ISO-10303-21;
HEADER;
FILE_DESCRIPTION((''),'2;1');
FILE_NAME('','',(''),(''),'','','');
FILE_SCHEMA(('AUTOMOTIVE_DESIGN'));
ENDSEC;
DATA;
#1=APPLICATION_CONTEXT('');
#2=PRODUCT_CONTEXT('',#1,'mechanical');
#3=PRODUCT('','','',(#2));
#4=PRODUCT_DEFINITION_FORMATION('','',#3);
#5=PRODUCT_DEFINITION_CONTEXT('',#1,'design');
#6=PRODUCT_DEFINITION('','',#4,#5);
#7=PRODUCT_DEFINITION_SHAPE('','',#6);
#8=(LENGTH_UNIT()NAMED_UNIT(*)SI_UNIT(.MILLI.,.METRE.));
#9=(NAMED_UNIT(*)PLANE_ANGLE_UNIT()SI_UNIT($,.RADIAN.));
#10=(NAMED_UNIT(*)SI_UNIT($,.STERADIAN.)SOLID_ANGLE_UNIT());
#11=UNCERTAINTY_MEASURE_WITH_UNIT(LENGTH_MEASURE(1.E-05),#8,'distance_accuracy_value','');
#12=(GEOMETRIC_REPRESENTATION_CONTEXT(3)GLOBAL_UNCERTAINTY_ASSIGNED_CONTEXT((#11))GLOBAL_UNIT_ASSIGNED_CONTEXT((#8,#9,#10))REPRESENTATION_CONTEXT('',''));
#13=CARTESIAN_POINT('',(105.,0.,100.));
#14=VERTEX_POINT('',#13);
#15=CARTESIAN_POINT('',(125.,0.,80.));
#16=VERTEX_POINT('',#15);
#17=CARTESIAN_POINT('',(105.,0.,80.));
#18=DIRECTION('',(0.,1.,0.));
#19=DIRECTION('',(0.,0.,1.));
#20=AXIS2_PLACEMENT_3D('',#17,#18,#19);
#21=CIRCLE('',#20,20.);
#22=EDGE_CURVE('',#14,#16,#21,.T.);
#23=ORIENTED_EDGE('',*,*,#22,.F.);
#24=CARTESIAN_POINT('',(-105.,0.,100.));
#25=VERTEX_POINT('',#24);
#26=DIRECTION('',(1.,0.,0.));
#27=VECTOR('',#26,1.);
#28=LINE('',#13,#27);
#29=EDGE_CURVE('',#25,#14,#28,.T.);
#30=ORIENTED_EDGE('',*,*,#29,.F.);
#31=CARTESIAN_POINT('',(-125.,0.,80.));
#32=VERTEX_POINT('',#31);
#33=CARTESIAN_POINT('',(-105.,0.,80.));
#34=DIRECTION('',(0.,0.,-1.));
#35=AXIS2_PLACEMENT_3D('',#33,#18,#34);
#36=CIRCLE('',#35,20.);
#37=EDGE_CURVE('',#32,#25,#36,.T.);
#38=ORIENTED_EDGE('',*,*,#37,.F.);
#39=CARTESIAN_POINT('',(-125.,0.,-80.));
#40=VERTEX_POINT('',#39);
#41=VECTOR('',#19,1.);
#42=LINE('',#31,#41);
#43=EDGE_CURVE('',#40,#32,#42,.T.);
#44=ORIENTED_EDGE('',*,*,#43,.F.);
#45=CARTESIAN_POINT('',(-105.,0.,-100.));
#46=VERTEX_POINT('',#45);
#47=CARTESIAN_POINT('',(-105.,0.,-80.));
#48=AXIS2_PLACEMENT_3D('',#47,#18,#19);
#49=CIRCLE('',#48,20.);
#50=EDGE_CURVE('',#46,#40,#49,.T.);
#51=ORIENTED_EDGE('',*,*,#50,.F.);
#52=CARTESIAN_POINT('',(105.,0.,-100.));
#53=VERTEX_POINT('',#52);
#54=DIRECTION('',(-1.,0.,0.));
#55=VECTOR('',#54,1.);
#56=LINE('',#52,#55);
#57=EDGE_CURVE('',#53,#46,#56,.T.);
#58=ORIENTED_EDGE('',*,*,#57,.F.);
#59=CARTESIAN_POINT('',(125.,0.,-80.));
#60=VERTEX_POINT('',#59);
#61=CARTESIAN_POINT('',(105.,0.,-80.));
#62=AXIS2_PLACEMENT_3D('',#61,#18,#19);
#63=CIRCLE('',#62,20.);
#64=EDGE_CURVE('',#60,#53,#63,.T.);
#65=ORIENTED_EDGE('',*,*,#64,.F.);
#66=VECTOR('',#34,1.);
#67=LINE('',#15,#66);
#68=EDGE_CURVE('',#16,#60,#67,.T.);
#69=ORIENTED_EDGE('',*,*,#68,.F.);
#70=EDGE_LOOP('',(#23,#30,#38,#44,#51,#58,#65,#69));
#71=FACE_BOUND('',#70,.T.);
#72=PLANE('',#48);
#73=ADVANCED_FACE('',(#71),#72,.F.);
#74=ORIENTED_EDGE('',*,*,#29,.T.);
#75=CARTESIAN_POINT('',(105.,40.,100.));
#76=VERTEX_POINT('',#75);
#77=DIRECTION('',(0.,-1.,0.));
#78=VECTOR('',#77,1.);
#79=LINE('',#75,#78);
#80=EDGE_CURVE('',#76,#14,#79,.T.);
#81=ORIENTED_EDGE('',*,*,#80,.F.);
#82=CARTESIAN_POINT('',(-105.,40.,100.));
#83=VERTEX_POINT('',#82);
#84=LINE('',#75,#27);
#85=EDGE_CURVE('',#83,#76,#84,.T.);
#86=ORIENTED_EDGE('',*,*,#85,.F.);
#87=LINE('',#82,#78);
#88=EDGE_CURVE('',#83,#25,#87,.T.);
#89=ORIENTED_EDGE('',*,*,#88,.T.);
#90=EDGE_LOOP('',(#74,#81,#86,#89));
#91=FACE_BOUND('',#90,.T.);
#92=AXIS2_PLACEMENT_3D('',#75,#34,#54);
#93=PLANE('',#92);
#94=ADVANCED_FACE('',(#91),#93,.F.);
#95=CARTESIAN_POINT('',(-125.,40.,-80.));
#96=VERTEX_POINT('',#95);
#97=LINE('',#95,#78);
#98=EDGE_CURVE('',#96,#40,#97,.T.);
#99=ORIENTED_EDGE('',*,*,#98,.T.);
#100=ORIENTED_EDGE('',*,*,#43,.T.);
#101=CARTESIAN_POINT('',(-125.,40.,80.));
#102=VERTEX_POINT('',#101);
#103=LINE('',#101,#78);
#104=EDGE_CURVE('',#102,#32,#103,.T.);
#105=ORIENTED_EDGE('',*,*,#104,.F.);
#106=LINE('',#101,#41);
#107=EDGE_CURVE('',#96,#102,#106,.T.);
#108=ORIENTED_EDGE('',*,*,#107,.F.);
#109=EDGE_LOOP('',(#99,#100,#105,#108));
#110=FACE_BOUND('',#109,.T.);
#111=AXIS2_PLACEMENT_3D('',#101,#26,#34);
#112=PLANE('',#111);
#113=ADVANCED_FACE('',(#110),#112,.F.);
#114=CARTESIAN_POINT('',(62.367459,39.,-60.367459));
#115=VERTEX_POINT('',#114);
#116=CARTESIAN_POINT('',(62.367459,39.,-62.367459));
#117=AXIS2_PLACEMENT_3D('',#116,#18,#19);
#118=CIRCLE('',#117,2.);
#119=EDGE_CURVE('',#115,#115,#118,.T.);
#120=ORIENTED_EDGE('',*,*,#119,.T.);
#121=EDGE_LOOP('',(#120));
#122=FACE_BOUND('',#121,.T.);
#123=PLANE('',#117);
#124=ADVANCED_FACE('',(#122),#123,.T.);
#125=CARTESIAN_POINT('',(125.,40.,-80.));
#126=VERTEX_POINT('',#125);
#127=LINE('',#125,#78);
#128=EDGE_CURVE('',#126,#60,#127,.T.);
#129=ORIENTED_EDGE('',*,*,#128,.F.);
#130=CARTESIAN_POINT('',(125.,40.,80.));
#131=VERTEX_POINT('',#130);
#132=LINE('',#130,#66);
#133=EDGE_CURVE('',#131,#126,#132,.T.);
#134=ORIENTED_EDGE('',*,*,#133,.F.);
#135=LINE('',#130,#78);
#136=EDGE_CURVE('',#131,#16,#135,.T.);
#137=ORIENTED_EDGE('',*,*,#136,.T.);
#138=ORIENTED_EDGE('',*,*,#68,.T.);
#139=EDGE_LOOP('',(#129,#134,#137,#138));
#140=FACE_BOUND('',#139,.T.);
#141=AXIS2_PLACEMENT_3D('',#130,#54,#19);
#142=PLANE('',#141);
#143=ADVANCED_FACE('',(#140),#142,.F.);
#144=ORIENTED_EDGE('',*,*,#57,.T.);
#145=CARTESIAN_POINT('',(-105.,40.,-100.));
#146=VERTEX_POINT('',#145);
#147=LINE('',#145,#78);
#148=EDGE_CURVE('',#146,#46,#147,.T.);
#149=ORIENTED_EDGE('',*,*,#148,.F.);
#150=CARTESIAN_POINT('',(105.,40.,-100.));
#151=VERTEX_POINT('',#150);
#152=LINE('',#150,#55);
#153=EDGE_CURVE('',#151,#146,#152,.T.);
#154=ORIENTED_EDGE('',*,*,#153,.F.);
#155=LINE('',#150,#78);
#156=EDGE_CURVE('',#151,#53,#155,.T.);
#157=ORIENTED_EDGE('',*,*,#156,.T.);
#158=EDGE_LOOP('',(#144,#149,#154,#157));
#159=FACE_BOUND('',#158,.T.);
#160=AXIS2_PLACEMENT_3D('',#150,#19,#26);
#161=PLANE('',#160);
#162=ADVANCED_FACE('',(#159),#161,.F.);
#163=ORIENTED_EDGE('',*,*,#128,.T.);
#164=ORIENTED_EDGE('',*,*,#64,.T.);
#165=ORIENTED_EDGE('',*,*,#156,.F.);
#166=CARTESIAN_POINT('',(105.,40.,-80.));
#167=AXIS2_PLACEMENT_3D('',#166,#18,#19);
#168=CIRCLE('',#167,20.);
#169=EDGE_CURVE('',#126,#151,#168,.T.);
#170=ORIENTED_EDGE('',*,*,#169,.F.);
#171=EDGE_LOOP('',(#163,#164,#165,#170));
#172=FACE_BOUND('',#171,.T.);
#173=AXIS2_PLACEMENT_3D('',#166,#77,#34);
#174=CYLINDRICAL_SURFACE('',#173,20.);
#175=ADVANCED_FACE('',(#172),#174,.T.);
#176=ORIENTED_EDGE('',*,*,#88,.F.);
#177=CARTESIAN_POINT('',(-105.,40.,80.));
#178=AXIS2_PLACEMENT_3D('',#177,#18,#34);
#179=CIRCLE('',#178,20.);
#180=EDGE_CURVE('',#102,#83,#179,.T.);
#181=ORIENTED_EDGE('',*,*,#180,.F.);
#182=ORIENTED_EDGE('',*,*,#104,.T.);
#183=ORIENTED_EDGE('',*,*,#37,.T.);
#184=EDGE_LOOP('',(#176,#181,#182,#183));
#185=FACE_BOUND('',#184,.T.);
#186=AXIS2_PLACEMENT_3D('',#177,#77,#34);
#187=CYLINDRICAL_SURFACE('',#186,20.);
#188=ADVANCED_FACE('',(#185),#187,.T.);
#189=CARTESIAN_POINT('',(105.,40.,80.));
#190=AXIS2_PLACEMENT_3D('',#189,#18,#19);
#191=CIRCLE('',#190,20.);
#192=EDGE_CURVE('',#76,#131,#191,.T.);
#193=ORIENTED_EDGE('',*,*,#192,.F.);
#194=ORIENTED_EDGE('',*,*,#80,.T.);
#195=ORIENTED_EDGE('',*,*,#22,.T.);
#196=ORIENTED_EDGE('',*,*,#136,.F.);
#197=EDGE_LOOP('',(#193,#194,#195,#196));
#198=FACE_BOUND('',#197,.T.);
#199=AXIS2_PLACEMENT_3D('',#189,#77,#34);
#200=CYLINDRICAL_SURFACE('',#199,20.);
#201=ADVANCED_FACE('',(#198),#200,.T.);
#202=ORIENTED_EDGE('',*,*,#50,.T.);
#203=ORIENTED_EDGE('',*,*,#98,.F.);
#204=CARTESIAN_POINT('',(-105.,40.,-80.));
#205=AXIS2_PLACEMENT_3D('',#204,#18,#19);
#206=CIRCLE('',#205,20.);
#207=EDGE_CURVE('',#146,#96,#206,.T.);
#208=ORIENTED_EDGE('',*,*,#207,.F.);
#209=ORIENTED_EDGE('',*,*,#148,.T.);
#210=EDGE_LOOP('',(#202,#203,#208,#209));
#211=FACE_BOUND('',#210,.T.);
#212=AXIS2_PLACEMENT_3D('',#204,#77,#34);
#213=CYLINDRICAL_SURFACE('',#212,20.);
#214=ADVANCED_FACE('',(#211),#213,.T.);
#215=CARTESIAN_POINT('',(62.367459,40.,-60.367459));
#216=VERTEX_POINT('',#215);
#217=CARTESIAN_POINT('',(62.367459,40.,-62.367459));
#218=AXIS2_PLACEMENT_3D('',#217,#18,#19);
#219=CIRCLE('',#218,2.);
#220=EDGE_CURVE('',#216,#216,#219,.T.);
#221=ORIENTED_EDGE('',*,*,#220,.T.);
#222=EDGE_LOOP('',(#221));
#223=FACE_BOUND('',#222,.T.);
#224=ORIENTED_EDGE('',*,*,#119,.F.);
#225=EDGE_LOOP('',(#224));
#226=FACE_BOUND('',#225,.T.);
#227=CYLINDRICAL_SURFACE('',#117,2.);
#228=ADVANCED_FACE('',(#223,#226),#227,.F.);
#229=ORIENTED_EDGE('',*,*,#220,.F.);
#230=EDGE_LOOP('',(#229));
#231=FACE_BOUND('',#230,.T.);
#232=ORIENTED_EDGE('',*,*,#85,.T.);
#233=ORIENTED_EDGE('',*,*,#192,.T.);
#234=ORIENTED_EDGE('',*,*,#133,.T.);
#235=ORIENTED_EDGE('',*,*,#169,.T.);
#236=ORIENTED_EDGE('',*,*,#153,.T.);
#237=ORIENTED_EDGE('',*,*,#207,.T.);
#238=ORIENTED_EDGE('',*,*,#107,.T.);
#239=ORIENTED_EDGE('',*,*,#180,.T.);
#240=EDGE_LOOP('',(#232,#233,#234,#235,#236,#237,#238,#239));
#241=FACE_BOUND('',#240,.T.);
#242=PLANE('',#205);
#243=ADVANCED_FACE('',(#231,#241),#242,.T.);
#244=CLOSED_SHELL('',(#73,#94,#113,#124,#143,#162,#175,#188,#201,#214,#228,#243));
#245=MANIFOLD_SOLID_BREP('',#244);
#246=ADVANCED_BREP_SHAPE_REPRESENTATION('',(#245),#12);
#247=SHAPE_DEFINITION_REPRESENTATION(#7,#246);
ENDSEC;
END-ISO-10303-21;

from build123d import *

# Parameters (mm, degrees)
BOSS_EXTRUDE1_DEPTH = 40
SKETCH2_R           = 2
CUT_EXTRUDE1_DEPTH  = 1


with BuildPart() as part:
    # Sketch1 → Boss-Extrude1 (new body)
    with BuildSketch(Plane(origin=(0, 0, 0), x_dir=(1, 0, 0), z_dir=(0, 1, 0))):
        with BuildLine():
            Line((105, -100), (-105, -100))
            ThreePointArc((-105, -100), (-119.142135624, -94.142135624), (-125, -80))
            Line((-125, -80), (-125, 80))
            ThreePointArc((-125, 80), (-119.142135624, 94.142135624), (-105, 100))
            Line((-105, 100), (105, 100))
            ThreePointArc((105, 100), (119.142135624, 94.142135624), (125, 80))
            Line((125, 80), (125, -80))
            ThreePointArc((125, -80), (119.142135624, -94.142135624), (105, -100))
        make_face()
    extrude(amount=BOSS_EXTRUDE1_DEPTH)

    # Sketch2 → Cut-Extrude1 (cut)
    with BuildSketch(Plane(origin=(0, 40, 0), x_dir=(1, 0, 0), z_dir=(0, 1, 0))):
        with Locations((62.367459268, 62.367459268)):
            Circle(SKETCH2_R)
    extrude(amount=-CUT_EXTRUDE1_DEPTH, mode=Mode.SUBTRACT)


solid = part.part
